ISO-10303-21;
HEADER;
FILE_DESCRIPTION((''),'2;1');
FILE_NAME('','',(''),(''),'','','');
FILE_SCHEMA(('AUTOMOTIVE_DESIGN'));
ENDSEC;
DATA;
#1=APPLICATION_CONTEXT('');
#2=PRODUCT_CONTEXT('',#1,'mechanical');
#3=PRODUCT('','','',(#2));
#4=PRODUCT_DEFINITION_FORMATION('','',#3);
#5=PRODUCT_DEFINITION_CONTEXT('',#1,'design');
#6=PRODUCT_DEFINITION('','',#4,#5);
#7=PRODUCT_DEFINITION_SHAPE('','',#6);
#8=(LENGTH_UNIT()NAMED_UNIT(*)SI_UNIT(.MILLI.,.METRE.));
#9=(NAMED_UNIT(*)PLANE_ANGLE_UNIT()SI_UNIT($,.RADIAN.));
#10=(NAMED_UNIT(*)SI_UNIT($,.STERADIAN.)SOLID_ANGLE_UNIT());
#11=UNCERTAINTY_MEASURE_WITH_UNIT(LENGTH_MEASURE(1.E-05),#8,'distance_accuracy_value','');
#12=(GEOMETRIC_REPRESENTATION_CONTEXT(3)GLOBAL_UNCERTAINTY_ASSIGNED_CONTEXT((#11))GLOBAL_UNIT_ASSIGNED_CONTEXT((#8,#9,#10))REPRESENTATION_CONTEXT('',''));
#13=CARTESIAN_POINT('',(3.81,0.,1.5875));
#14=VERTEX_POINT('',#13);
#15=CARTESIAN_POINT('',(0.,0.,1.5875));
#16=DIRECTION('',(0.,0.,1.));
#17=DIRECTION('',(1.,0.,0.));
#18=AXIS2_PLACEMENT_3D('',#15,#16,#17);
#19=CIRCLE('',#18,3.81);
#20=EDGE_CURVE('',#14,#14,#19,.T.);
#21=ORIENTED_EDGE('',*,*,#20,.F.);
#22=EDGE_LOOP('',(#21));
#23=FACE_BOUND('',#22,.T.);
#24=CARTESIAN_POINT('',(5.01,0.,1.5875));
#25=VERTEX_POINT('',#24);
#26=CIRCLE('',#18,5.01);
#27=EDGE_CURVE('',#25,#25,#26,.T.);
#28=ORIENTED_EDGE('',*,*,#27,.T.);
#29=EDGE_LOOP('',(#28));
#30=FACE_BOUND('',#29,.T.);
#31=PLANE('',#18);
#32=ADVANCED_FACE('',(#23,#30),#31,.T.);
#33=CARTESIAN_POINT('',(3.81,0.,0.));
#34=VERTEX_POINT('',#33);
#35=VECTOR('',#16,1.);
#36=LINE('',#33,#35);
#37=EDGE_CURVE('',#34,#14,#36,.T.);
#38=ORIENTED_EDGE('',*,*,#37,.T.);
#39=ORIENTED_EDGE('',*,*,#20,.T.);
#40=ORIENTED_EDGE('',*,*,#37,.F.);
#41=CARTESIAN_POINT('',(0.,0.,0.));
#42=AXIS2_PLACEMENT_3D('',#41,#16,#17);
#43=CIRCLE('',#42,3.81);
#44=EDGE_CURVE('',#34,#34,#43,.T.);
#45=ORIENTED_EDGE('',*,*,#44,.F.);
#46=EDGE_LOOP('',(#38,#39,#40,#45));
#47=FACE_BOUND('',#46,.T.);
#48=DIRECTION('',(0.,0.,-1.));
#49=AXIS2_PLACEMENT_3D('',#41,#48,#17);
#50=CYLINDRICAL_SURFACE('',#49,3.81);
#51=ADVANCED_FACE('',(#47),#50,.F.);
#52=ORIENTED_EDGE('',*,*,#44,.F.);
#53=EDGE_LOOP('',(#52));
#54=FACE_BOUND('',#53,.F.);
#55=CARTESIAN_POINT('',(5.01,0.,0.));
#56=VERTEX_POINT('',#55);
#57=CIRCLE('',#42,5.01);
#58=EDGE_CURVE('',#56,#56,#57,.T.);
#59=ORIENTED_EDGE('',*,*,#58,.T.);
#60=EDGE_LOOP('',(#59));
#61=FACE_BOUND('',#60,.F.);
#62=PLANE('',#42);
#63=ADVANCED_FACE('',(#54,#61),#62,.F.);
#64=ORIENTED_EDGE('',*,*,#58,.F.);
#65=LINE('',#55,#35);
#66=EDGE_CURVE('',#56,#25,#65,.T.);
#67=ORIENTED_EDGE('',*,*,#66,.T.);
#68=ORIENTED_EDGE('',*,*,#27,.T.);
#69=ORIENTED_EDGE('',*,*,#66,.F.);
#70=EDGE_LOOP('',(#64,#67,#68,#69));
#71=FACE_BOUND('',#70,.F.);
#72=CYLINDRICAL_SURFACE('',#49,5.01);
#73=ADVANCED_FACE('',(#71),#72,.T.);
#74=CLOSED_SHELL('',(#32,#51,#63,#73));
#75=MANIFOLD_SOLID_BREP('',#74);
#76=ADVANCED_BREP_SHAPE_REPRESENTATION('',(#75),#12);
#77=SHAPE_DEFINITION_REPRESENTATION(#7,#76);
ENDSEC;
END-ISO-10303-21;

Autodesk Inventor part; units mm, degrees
ref_plane "YZ Plane" through (0, 0, 0) normal (1, 0, 0) x (0, 1, 0)
ref_plane "XZ Plane" through (0, 0, 0) normal (0, 1, 0) x (-1, 0, 0)
ref_plane "XY Plane" through (0, 0, 0) normal (0, 0, 1) x (1, 0, 0)
sketch "Sketch1" plane through (0, 0, 0) normal (0, 0, 1) x (1, 0, 0)
  circle A0 centre (0, 0) radius 3.81
  circle A1 centre (0, 0) radius 5.01
  dimension "d0" = 7.62
  dimension "d1" = 1.2
extrude "Extrusion1" add sketch "Sketch1" along normal blind 1.5875
properties part number "MainBoltSpacer"
